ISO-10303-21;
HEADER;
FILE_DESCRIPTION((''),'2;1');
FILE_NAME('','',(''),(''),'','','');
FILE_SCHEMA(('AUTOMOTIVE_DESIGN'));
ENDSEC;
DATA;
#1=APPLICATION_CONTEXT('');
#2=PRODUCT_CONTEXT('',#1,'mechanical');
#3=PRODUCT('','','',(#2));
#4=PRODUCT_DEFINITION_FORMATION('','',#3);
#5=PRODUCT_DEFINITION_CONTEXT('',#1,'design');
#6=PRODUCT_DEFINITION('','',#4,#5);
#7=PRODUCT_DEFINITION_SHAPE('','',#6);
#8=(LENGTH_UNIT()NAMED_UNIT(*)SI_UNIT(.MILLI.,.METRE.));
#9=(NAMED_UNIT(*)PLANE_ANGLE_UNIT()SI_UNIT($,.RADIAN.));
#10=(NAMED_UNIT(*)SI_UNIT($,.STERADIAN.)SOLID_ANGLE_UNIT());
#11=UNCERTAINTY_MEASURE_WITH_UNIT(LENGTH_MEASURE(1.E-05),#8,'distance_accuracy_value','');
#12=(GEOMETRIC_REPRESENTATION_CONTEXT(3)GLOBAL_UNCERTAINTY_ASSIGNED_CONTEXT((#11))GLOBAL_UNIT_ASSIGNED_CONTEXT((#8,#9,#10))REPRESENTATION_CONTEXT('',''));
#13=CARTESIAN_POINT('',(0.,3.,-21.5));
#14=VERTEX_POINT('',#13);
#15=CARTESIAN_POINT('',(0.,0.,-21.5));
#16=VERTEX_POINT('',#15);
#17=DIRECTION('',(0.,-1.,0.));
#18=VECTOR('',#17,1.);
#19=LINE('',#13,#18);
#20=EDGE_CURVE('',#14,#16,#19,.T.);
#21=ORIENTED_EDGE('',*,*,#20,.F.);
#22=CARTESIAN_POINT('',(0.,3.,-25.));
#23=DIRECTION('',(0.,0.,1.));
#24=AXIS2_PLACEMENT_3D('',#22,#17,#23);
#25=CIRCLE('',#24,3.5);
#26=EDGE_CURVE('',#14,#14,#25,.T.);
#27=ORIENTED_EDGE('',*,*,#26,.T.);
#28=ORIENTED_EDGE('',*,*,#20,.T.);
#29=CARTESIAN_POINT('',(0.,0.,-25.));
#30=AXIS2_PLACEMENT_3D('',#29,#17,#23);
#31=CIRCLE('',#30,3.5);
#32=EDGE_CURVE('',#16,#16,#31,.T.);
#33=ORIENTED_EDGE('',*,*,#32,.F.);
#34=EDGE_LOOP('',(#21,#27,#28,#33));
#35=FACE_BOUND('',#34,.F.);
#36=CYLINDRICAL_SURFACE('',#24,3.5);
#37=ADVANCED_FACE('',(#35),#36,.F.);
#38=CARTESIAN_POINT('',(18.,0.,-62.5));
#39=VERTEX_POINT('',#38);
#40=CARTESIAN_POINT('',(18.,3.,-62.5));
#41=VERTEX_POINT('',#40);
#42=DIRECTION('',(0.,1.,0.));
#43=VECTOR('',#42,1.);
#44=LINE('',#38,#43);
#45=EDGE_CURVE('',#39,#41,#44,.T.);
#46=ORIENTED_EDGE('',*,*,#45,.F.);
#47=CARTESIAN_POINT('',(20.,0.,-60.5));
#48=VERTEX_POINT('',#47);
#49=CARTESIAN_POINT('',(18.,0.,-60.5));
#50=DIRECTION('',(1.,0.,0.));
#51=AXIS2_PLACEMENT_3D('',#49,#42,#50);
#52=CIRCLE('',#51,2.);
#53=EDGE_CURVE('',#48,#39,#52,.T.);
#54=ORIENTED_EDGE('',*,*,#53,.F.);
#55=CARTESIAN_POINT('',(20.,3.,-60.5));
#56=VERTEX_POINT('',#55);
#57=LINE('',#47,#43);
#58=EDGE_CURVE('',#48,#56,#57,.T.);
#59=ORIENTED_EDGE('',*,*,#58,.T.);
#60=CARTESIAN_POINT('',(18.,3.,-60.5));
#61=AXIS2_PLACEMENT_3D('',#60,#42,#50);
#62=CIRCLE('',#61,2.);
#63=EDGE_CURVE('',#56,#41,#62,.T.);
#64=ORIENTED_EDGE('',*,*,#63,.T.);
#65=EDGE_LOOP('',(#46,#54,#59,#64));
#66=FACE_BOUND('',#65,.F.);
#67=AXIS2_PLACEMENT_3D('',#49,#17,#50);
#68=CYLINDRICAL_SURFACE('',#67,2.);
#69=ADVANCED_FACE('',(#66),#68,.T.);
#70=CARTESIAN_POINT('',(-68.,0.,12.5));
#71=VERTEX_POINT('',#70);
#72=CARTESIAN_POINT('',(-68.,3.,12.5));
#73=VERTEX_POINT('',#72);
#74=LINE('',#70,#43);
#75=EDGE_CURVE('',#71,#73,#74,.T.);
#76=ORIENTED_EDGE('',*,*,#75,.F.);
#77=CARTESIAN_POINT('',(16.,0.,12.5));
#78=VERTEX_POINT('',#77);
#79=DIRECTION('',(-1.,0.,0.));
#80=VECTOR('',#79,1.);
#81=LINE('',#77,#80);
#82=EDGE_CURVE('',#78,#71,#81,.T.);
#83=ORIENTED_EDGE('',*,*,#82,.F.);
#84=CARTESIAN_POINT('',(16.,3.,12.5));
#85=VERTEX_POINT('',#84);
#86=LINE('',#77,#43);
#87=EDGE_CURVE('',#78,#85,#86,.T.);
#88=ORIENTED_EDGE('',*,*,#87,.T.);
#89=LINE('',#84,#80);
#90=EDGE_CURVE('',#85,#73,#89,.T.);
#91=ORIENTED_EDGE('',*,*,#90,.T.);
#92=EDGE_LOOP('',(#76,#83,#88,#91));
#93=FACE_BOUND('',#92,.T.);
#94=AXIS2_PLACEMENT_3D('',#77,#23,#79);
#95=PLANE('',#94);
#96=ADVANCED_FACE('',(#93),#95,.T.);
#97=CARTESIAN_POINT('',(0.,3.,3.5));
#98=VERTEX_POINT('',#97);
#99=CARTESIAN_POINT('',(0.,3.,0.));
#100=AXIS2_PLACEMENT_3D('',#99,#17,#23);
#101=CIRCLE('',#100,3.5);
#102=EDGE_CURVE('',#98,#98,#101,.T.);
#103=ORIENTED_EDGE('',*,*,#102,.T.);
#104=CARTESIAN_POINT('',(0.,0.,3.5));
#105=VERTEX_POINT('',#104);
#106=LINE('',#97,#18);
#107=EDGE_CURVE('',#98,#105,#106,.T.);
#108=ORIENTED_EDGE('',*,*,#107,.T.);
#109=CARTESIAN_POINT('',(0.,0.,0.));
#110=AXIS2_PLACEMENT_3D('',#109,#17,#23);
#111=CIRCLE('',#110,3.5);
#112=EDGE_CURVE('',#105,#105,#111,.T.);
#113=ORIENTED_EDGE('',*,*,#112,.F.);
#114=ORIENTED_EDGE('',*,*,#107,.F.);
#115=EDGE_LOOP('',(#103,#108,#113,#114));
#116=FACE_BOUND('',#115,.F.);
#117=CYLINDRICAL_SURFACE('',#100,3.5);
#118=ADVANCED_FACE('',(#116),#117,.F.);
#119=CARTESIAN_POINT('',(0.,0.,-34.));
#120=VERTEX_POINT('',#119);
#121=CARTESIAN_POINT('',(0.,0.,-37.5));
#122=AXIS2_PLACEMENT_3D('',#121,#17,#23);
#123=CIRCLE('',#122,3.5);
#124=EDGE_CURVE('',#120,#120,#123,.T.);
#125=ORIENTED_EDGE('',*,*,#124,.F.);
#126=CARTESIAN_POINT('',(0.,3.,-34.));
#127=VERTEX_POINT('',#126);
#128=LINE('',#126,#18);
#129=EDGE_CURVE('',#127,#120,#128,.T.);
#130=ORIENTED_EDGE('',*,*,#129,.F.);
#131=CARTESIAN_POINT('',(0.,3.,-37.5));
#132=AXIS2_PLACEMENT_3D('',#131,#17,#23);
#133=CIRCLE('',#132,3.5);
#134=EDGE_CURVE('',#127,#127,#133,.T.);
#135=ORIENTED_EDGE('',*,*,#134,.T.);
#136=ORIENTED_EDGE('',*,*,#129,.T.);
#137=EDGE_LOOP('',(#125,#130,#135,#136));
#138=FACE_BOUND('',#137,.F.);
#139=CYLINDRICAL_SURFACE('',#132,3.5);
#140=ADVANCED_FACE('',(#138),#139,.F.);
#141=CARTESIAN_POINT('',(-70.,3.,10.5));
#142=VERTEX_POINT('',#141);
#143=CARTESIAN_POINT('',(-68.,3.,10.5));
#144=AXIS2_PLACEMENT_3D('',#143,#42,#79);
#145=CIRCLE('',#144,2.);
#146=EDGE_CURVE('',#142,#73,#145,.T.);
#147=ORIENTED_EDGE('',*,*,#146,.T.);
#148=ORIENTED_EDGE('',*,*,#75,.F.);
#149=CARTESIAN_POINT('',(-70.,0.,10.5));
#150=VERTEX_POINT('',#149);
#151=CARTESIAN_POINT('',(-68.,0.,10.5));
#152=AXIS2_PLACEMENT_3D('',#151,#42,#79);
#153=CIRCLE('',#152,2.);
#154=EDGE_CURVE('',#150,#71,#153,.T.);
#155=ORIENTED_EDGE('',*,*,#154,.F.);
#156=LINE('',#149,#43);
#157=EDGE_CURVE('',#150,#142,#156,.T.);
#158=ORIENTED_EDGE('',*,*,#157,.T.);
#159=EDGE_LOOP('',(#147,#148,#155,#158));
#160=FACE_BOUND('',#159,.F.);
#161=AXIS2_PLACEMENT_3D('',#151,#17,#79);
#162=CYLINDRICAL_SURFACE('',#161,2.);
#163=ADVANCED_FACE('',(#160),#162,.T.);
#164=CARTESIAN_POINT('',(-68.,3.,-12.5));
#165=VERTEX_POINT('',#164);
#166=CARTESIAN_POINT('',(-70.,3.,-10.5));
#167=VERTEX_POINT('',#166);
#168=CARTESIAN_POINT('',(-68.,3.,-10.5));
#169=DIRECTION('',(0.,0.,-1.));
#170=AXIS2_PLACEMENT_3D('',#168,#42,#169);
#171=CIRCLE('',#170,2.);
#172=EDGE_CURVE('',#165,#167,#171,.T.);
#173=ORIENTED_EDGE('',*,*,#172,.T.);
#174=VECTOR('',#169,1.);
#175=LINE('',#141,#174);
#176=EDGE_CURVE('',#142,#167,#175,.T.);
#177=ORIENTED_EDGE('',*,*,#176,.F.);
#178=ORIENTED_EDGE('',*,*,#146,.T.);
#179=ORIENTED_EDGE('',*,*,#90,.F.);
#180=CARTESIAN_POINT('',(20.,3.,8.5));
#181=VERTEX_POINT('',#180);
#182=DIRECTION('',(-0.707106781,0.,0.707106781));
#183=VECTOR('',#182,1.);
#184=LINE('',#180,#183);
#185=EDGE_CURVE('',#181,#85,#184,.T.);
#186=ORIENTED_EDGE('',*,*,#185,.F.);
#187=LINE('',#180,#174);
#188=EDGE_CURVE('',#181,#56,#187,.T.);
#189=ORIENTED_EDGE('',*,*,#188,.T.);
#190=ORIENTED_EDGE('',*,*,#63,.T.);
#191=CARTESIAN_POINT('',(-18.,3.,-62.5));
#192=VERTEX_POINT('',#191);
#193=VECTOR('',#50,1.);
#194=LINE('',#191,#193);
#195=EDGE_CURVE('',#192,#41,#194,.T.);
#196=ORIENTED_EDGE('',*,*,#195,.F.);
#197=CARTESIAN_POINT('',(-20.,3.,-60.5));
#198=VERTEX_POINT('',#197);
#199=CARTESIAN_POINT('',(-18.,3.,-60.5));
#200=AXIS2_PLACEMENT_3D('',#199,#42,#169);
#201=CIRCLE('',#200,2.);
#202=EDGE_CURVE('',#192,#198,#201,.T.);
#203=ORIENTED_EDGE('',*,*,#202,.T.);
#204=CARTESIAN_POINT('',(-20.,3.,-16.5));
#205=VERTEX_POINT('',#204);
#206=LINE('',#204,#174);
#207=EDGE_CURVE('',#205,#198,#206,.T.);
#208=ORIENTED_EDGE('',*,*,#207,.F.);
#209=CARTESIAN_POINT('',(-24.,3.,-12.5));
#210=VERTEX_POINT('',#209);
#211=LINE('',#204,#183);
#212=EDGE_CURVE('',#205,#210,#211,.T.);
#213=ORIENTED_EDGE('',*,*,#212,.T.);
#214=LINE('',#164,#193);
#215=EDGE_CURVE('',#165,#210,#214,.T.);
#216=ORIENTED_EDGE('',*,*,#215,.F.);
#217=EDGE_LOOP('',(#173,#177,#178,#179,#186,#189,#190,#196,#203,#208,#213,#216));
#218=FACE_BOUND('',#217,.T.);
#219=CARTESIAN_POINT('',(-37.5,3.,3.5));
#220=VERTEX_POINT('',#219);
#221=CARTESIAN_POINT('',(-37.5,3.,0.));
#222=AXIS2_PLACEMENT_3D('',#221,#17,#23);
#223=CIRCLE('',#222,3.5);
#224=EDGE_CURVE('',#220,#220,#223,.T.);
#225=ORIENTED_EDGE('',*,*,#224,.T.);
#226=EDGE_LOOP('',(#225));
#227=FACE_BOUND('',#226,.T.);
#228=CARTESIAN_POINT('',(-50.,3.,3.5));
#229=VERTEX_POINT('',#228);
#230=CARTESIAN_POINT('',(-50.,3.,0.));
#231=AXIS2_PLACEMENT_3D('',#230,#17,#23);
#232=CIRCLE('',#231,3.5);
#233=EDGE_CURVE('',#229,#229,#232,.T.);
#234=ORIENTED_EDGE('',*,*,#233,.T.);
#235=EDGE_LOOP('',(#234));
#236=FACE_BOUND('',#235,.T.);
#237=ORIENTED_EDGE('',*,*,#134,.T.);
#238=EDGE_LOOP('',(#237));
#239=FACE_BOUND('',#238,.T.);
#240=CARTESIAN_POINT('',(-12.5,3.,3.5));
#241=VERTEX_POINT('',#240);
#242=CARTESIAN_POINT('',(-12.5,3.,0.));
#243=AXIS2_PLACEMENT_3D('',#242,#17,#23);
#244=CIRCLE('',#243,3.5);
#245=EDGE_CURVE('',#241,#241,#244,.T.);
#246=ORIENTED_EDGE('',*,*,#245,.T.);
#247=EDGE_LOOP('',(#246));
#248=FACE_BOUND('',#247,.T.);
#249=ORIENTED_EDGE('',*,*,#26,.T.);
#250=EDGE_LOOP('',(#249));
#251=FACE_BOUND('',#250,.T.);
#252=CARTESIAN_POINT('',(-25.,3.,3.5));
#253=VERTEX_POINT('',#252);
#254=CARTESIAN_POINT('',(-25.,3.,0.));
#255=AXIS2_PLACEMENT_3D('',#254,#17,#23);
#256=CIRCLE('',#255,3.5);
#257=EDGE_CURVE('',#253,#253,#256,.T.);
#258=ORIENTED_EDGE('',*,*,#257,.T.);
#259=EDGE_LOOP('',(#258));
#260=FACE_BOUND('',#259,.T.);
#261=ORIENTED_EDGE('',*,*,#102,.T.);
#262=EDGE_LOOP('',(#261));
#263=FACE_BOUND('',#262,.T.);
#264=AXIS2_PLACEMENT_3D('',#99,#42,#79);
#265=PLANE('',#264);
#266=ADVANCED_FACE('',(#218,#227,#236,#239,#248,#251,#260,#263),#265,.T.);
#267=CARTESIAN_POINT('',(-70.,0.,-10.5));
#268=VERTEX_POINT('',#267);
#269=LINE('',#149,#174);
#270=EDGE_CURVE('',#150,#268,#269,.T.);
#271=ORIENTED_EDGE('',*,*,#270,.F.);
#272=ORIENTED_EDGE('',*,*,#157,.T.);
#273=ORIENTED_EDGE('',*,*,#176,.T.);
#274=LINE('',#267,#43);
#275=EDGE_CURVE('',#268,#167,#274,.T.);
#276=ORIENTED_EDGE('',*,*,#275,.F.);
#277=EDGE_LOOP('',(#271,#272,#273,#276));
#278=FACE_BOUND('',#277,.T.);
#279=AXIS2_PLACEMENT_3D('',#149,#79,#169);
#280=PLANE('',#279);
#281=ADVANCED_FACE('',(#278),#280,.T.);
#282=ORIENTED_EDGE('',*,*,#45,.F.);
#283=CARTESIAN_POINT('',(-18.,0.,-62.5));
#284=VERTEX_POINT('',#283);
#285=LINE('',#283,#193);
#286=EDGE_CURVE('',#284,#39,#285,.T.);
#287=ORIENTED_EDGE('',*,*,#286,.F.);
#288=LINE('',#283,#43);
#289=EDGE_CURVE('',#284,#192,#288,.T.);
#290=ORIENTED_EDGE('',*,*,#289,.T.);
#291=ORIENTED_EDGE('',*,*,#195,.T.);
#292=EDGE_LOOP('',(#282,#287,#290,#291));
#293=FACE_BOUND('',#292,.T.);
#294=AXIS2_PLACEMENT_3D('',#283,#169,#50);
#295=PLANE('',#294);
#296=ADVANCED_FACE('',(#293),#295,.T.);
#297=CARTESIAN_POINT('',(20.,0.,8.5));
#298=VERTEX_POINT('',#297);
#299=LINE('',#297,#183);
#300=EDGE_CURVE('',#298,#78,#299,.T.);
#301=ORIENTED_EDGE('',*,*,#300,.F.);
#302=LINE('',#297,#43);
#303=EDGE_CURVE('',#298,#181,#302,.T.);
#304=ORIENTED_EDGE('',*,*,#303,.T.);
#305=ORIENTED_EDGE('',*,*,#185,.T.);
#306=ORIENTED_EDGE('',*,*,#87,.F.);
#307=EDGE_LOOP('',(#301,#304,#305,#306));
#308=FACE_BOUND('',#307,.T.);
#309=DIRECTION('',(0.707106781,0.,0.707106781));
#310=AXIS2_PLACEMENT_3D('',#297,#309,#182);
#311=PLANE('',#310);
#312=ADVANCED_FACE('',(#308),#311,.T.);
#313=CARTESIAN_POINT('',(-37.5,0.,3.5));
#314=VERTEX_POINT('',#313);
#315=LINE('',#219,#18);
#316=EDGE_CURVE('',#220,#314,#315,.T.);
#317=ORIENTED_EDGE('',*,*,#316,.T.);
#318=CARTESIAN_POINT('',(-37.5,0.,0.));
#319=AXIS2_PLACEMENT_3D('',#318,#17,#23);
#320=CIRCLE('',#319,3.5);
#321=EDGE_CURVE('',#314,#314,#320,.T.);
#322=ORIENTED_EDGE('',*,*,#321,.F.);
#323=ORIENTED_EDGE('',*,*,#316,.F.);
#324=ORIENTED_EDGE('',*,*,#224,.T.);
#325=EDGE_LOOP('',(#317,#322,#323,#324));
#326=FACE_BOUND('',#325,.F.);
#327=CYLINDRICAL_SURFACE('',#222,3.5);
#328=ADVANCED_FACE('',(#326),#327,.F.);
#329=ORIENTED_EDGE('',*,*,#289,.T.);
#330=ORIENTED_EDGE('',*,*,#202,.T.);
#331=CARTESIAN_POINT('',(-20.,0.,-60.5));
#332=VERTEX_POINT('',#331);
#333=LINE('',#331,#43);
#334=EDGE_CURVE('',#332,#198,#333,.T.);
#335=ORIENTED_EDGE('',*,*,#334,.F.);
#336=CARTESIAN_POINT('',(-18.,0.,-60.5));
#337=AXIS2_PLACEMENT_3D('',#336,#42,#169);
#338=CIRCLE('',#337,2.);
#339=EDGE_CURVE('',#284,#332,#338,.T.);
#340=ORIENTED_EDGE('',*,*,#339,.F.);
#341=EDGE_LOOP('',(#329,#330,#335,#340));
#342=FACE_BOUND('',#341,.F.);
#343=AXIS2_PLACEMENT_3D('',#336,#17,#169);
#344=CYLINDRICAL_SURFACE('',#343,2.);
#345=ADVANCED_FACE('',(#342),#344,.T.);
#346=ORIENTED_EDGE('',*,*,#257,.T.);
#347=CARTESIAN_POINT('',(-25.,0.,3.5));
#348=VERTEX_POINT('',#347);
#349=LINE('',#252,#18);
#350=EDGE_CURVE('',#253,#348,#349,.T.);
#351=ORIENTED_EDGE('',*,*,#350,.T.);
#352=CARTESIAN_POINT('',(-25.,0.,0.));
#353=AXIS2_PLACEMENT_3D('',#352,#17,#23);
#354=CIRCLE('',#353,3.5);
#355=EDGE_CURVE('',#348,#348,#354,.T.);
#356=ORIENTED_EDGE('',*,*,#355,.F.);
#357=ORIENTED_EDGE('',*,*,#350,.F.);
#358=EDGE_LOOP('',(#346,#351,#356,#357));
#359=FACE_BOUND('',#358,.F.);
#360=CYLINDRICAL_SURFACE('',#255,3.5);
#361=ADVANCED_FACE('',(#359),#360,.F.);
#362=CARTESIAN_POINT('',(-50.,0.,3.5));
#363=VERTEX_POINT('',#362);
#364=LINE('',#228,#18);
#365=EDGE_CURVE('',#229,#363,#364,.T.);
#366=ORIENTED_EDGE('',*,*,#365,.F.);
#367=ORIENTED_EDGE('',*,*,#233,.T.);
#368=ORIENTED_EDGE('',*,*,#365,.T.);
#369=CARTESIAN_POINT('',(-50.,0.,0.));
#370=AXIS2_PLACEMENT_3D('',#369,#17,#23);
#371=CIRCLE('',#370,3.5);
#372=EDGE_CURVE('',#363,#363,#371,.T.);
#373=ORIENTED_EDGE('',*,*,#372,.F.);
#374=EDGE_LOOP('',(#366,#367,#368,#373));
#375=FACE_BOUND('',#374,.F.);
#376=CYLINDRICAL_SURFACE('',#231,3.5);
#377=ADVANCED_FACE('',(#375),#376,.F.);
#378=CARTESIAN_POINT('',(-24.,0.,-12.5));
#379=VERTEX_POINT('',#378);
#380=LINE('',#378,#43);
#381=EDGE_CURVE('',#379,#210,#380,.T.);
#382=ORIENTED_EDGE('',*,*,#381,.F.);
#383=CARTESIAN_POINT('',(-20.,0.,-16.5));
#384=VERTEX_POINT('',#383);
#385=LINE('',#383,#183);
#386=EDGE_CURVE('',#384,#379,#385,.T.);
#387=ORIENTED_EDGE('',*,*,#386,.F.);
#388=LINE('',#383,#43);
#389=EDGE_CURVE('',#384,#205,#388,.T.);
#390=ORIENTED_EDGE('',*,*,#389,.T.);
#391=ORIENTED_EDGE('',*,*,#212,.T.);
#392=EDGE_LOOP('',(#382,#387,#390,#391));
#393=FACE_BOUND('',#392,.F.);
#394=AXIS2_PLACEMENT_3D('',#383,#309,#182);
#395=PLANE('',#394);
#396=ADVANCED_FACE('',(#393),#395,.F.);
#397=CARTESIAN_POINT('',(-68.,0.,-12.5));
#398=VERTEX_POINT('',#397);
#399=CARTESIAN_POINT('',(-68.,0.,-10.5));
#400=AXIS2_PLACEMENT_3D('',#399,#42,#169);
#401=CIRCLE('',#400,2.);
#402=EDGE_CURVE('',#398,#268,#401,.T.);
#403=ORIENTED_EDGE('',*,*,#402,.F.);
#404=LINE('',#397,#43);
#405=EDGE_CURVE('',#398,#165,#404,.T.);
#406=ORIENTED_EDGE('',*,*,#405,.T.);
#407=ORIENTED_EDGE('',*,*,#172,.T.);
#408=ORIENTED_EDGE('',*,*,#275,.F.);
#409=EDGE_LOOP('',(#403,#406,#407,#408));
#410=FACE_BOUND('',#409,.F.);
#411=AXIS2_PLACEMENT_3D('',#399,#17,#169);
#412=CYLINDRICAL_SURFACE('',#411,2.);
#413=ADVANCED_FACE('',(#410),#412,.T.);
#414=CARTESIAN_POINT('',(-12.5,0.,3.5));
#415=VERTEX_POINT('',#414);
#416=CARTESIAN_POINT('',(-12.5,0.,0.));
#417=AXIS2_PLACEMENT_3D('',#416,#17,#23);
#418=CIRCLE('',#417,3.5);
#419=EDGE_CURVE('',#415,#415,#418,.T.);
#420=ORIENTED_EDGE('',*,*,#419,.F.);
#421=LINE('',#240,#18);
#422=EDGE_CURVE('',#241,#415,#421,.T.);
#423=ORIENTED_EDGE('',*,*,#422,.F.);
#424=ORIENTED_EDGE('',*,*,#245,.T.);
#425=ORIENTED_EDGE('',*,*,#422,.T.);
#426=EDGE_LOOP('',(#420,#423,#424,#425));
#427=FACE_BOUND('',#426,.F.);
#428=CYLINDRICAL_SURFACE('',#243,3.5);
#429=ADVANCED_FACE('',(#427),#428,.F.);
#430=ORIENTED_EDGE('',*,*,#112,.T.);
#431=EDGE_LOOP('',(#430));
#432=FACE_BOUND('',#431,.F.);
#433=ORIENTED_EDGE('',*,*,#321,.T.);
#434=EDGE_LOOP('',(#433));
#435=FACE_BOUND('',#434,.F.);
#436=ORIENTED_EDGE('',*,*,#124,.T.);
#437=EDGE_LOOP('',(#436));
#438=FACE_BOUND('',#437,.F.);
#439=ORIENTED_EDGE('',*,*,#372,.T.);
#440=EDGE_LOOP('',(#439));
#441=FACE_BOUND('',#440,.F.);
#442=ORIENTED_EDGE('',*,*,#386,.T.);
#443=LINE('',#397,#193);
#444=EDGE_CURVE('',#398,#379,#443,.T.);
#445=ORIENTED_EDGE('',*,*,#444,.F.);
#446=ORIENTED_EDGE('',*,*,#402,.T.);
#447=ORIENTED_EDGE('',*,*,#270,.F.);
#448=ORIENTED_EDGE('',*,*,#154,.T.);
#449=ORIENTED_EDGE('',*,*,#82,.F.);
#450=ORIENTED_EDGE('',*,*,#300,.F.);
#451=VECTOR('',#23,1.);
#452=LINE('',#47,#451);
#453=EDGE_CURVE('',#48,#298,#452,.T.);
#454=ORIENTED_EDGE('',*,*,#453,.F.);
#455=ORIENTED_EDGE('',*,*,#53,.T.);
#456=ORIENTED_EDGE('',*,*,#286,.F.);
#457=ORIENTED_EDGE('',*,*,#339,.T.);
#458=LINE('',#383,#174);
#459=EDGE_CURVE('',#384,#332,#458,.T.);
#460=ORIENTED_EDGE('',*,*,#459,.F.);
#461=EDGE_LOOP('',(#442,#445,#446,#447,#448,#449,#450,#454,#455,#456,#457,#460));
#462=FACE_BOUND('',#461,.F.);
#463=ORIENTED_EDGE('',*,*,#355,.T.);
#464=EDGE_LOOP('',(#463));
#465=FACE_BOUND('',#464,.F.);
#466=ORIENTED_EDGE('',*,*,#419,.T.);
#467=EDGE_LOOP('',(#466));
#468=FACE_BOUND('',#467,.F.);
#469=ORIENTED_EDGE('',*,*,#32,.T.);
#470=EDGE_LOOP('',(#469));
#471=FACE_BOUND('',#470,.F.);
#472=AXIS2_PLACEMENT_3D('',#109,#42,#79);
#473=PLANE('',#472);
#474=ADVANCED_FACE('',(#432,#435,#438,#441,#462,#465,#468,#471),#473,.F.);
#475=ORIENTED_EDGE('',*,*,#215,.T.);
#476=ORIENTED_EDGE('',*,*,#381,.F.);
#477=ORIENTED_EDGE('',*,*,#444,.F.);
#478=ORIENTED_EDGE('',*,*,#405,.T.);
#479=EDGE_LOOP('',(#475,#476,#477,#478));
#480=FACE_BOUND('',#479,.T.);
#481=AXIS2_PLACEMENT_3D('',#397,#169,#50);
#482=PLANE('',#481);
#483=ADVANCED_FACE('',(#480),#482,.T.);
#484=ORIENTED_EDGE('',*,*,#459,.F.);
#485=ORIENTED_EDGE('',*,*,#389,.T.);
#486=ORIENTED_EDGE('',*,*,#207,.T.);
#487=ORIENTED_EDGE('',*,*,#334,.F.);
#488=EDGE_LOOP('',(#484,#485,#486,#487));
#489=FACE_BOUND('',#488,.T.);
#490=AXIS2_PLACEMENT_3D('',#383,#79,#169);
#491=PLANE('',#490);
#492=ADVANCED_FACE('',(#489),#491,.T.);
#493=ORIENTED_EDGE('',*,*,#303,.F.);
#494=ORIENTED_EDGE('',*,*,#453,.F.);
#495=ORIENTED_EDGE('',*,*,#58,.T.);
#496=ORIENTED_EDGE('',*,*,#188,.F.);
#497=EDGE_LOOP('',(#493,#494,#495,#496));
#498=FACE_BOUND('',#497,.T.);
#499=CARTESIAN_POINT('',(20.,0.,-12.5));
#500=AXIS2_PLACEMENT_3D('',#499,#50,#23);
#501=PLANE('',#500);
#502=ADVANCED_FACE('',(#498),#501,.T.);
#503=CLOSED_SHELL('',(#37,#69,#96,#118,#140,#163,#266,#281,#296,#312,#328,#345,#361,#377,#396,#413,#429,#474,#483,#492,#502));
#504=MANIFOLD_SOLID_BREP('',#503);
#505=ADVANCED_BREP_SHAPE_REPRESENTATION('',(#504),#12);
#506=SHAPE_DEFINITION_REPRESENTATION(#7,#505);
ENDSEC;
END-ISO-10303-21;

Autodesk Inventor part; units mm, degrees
ref_plane "YZ Plane" through (0, 0, 0) normal (1, 0, 0) x (0, 1, 0)
ref_plane "XZ Plane" through (0, 0, 0) normal (0, 1, 0) x (-1, 0, 0)
ref_plane "XY Plane" through (0, 0, 0) normal (0, 0, 1) x (1, 0, 0)
sketch "Sketch1" plane through (0, 0, 0) normal (0, 1, 0) x (-1, 0, 0)
  line L0 (-16, 12.5) -> (68, 12.5)
  line L1 (70, 10.5) -> (70, -10.5)
  line L2 (68, -12.5) -> (24, -12.5)
  line L3 (-20, -12.5) -> (-20, 8.5)
  line L4 (-20, -12.5) -> (20, -12.5)
  line L5 (20, -16.5) -> (20, -60.5)
  line L6 (18, -62.5) -> (-18, -62.5)
  line L7 (-20, -60.5) -> (-20, -12.5)
  line L8 (20, -16.5) -> (24, -12.5)
  line L9 (-20, 8.5) -> (-16, 12.5)
  arc A0 (-20, -60.5) -> (-18, -62.5) centre (-18, -60.5) ccw
  arc A1 (18, -62.5) -> (20, -60.5) centre (18, -60.5) ccw
  arc A2 (70, 10.5) -> (68, 12.5) centre (68, 10.5) ccw
  arc A3 (68, -12.5) -> (70, -10.5) centre (68, -10.5) ccw
  point P0 (0, 0)
  point P1 (-20, 12.5)
  point P2 (70, -12.5)
  point P3 (70, 12.5)
  point P4 (20, -62.5)
  point P5 (-20, -62.5)
  point P6 (0, -62.5)
  point P7 (70, 0)
  point P8 (20, -12.5)
  dimension "d0" = 40
  dimension "d1" = 25
  dimension "d2" = 50
  dimension "d3" = 50
  dimension "d22" = 4
  dimension "d23" = 4
  dimension "d24" = 4
  dimension "d25" = 4
  dimension "d26" = 2
extrude "Extrusion1" add sketch "Sketch1" along normal blind 3
sketch "Sketch2" plane through (0, 3, 0) normal (0, 1, 0) x (1, 0, 0)
  line L0 (20, -8.5) -> (20, 60.5) projected
  line L1 (18, 62.5) -> (-18, 62.5) projected
  line L2 (-20, 60.5) -> (-20, 16.5) projected
  line L3 (-24, 12.5) -> (-68, 12.5) projected
  line L4 (-70, 10.5) -> (-70, -10.5) projected
  line L5 (-68, -12.5) -> (16, -12.5) projected
  line L6 (20, 62.5) -> (-20, 62.5) projected
  line L7 (-20, 16.5) -> (-24, 12.5) projected
  arc A0 (-68, 12.5) -> (-70, 10.5) centre (-68, 10.5) ccw projected
  arc A1 (-70, -10.5) -> (-68, -12.5) centre (-68, -10.5) ccw projected
  line L8 (16, -12.5) -> (20, -8.5) projected
  arc A2 (20, 60.5) -> (18, 62.5) centre (18, 60.5) ccw projected
  arc A3 (-18, 62.5) -> (-20, 60.5) centre (-18, 60.5) ccw projected
  point P0 (0, 0)
  point P1 (0, 0)
  point P2 (0, 25)
  point P3 (0, 37.5)
  point P4 (-12.5, 0)
  point P5 (-25, 0)
  point P6 (-37.5, 0)
  point P7 (-50, 0)
  point P8 (0, 62.5)
  point P9 (0, 62.5)
  dimension "d8" = 12.5
  dimension "d13" = 25
  dimension "d14" = 12.5
hole "Hole1" at (0, 3, 0) at (0, 3, -25) at (0, 3, -37.5) at (-50, 3, 0) at (-37.5, 3, 0) at (-25, 3, 0) at (-12.5, 3, 0) direction (0, -1, 0) diameter 7 depth 8
equation "\"d23\" = d22"
equation "\"d25\" = d24"
properties part number "TopGussetPlate" material "Aluminum 6061"
